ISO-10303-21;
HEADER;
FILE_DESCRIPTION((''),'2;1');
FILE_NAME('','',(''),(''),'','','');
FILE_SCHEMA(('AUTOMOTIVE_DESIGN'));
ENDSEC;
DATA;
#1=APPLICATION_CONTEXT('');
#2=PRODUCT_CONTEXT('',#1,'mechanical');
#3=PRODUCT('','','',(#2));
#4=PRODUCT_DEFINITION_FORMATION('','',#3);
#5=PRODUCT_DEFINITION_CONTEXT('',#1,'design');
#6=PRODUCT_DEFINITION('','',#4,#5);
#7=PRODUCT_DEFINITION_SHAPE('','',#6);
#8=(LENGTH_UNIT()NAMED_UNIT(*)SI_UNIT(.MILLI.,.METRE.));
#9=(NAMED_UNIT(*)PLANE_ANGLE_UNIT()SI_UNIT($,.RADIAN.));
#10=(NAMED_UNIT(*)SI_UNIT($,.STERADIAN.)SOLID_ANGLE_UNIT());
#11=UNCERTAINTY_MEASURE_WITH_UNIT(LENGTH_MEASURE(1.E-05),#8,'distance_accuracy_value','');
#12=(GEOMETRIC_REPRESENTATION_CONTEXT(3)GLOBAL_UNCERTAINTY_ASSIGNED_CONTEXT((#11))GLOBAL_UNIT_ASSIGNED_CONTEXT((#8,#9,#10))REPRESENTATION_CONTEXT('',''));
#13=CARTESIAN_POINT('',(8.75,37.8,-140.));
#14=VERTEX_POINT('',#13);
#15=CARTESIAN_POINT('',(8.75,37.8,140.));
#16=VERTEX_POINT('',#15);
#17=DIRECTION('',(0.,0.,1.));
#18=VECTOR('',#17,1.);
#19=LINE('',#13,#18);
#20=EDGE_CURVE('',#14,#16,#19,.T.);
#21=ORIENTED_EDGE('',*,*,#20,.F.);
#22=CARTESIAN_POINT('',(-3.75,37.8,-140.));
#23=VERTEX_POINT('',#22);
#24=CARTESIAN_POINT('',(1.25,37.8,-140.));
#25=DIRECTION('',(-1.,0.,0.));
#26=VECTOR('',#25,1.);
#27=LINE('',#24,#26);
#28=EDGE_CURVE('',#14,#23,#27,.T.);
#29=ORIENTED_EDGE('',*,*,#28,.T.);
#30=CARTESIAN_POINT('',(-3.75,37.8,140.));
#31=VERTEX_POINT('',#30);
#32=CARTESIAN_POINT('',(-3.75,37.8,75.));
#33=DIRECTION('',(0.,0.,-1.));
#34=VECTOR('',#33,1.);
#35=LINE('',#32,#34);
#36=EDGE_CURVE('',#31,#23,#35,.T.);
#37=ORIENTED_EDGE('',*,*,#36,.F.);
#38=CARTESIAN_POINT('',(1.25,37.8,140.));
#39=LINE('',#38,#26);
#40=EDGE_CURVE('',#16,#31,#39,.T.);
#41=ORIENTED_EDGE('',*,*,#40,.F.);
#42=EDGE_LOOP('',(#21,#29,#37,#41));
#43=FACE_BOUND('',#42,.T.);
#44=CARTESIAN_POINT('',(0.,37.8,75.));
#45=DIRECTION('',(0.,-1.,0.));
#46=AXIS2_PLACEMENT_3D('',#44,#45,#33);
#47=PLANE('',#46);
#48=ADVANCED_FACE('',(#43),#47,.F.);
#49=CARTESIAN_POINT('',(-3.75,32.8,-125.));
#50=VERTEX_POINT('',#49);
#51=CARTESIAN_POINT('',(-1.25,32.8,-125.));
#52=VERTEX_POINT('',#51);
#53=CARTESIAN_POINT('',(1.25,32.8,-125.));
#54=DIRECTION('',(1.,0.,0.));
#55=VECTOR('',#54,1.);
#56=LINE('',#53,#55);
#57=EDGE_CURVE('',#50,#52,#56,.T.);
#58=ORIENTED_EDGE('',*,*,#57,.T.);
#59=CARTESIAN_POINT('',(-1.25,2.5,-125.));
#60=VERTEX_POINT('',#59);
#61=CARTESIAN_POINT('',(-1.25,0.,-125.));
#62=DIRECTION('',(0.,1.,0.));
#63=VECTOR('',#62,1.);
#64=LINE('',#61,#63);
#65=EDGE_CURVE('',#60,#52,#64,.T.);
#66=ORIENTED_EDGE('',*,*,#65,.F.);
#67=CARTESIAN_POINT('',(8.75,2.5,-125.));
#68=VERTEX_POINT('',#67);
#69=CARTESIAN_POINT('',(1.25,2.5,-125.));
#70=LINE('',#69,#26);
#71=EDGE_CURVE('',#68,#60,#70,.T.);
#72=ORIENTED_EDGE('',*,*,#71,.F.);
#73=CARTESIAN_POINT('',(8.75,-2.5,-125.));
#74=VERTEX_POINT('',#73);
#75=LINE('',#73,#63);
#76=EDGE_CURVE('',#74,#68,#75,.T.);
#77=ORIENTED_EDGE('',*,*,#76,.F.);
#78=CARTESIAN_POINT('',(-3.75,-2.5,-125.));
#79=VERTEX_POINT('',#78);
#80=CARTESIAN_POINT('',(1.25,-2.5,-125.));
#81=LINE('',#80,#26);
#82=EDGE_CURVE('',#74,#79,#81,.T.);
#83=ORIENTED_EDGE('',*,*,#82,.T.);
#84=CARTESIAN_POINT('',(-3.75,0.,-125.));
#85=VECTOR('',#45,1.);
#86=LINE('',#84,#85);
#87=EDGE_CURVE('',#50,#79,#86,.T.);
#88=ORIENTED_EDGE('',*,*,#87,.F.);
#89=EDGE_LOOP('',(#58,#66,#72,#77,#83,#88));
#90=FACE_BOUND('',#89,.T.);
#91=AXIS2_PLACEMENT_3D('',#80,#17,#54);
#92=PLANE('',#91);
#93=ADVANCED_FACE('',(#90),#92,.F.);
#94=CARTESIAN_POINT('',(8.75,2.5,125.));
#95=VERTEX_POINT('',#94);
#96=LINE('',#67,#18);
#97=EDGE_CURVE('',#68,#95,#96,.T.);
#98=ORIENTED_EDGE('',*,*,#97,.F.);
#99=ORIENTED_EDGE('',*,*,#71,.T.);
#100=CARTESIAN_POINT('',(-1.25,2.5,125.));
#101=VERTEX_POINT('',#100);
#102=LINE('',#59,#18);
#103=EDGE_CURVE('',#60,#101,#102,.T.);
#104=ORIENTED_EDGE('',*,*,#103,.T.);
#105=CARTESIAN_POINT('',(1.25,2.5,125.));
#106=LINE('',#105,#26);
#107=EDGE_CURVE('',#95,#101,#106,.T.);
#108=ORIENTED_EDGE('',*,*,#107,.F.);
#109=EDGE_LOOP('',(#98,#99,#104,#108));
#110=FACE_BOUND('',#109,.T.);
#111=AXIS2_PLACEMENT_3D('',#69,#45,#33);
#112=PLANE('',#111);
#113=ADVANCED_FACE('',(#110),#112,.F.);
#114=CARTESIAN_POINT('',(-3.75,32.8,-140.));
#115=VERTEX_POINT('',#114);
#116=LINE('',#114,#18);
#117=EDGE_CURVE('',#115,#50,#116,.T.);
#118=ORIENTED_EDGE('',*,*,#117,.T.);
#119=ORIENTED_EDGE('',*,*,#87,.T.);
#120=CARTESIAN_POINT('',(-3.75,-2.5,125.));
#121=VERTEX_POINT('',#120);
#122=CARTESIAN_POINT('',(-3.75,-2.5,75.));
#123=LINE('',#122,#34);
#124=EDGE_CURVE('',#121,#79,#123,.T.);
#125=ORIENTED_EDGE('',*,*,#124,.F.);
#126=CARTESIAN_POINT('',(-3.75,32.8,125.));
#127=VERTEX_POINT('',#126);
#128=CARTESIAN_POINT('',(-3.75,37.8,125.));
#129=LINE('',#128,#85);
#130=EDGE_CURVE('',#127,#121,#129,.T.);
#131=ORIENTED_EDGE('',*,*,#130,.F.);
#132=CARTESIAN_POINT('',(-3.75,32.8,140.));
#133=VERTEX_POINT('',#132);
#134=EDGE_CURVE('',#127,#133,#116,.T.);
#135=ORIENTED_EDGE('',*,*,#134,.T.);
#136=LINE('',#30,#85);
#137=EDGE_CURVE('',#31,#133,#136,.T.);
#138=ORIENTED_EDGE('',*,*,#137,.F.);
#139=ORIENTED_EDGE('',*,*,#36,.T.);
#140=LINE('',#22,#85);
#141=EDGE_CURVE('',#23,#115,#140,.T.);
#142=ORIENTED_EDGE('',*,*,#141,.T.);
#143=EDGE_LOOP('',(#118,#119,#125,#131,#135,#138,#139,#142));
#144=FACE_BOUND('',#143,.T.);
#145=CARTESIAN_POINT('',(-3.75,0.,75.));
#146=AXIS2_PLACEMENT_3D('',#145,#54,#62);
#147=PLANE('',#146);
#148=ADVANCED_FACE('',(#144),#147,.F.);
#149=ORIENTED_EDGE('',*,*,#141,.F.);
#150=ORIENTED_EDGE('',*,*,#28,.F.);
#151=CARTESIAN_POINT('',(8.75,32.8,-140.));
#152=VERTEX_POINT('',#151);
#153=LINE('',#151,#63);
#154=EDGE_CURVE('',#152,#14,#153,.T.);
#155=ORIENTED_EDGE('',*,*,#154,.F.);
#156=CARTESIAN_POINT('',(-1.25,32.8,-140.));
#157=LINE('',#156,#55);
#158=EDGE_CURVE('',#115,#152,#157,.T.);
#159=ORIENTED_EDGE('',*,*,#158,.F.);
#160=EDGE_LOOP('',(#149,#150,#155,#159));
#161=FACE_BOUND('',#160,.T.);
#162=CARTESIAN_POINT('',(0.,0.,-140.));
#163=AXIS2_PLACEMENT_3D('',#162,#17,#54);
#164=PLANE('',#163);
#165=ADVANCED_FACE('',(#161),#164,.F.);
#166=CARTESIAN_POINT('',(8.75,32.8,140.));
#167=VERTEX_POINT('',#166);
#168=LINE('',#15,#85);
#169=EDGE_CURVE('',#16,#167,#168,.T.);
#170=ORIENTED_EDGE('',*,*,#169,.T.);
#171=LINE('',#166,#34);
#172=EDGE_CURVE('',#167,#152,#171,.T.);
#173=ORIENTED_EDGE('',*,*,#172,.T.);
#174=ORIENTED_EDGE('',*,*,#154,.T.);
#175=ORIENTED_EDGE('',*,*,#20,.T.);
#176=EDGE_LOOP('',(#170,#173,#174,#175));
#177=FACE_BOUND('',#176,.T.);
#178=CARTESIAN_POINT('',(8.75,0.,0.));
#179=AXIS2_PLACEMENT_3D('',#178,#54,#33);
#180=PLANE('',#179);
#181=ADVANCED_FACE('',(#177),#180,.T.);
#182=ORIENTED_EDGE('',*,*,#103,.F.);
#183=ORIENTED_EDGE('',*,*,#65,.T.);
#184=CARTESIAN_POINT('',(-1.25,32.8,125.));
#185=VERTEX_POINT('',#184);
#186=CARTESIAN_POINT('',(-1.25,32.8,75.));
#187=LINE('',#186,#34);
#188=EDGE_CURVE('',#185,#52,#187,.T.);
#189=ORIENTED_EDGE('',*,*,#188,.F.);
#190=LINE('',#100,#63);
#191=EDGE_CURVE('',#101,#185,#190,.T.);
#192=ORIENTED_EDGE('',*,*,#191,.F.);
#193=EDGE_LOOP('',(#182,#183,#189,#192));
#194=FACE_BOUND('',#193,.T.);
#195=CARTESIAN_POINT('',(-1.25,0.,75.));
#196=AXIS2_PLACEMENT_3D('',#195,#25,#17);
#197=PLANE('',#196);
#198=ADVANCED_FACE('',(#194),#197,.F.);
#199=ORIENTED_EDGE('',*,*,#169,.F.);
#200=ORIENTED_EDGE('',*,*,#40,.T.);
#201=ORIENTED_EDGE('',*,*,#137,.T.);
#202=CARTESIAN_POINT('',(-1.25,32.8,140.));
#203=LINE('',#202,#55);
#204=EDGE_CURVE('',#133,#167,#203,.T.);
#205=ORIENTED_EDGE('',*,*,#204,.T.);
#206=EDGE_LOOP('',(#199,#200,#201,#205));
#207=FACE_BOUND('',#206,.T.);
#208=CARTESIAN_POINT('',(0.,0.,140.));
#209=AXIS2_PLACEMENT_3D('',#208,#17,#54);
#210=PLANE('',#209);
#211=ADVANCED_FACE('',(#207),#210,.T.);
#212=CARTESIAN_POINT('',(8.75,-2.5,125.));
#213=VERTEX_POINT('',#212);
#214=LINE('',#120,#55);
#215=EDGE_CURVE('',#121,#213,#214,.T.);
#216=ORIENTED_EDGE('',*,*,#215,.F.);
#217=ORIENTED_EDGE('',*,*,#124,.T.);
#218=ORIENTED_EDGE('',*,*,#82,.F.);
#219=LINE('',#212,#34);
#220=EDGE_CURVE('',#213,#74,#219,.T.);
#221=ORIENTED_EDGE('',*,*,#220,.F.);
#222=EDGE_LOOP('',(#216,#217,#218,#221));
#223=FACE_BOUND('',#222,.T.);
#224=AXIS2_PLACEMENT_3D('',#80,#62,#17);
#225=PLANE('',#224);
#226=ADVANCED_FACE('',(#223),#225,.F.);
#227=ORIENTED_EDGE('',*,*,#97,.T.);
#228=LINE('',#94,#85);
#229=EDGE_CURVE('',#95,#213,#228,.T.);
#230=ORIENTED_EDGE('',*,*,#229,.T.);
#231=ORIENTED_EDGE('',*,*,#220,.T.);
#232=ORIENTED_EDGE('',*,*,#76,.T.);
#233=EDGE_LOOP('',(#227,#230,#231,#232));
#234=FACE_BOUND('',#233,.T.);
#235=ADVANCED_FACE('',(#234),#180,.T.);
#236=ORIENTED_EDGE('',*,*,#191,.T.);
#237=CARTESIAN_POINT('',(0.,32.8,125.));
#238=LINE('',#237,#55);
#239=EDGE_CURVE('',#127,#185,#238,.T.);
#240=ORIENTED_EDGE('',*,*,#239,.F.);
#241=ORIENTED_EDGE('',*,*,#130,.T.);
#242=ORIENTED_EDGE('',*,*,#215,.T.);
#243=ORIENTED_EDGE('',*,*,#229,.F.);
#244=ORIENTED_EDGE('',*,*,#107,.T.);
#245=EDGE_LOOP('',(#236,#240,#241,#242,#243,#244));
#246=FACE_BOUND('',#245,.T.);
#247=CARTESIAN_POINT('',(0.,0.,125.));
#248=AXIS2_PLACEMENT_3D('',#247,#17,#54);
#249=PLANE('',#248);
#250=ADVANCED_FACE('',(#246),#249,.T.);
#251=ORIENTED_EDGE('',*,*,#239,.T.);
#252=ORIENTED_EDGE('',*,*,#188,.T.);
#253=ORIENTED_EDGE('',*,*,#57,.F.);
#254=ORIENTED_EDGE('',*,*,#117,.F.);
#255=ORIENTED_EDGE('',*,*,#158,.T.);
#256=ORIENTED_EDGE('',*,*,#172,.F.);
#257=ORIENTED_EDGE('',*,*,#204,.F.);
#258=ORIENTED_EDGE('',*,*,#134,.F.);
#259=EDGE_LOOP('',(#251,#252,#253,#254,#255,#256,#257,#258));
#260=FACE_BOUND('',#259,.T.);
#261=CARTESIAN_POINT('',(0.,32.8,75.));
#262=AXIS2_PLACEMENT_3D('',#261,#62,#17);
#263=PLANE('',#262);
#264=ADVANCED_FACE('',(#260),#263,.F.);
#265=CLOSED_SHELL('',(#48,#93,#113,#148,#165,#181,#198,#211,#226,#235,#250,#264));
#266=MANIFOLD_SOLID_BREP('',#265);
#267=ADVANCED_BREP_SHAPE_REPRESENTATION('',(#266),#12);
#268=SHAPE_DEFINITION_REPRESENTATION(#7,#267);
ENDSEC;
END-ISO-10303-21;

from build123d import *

# Parameters (mm, degrees)
CROQUIS1_R                   = 2.5
SALIENTE_EXTRUIR1_DEPTH      = 1.25
SALIENTE_EXTRUIR4_DEPTH      = 2.5
CROQUIS6_R                   = 12.525
CORTAR_EXTRUIR3_DEPTH        = 10
SALIENTE_EXTRUIR5_DEPTH      = 200
CROQUIS8_R                   = 12.525
SALIENTE_EXTRUIR6_DEPTH      = 21
CROQUIS10_W                  = 18.5
CROQUIS10_H                  = 25.138120499
CROQUIS10_W_2                = 2.5
CROQUIS10_H_2                = 4.861879501
CROQUIS10_H_3                = 5
CORTAR_EXTRUIR5_DEPTH        = 98
SALIENTE_EXTRUIR7_DEPTH      = 50
SALIENTE_EXTRUIR8_DEPTH      = 15
SALIENTE_EXTRUIR8_DEPTH_BACK = 265
CROQUIS15_W                  = 250
CROQUIS15_H                  = 5
CROQUIS15_W_2                = 280
SALIENTE_EXTRUIR9_DEPTH      = 7.5


with BuildPart() as part:
    # Croquis1 → Saliente-Extruir1 (new, symmetric)
    with BuildSketch(Plane(origin=(0, 0, 0), x_dir=(0, 0, -1), z_dir=(1, 0, 0))):
        with BuildLine():
            Line((125, -2.5), (-125, -2.5))
            Line((-125, -2.5), (-125, 2.5))
            Line((-125, 2.5), (-123, 2.5))
            Line((-123, 2.5), (-117, 17.5))
            ThreePointArc((-117, 17.5), (-110, 24.5), (-103, 17.5))
            Line((-103, 17.5), (-97, 2.5))
            Line((-97, 2.5), (125, 2.5))
            Line((125, 2.5), (125, -2.5))
        make_face()
        with Locations((-110, 17.5)):
            Circle(CROQUIS1_R, mode=Mode.SUBTRACT)
    extrude(amount=SALIENTE_EXTRUIR1_DEPTH, both=True)

    # Croquis5 → Saliente-Extruir4 (add, through all)
    with BuildSketch(Plane(origin=(1.25, 0, 0), x_dir=(0, 0, -1), z_dir=(1, 0, 0))):
        with BuildLine():
            ThreePointArc((-100, 10), (-110, 5), (-120, 10))
            Line((-120, 10), (-121.0552482, 7.361879501))
            ThreePointArc((-121.0552482, 7.361879501), (-110, 2.5), (-98.9447518, 7.361879501))
            Line((-98.9447518, 7.361879501), (-100, 10))
        make_face()
        with BuildLine():
            Line((-121.0552482, 7.361879501), (-120, 10))
            ThreePointArc((-120, 10), (-113.952847075, 29.358541226), (-97.5, 17.5))
            ThreePointArc((-97.5, 17.5), (-98.141458774, 13.547152925), (-100, 10))
            Line((-100, 10), (-98.9447518, 7.361879501))
            ThreePointArc((-98.9447518, 7.361879501), (-96.020931308, 12.060731804), (-95, 17.5))
            ThreePointArc((-95, 17.5), (-115.439268196, 31.479068692), (-121.0552482, 7.361879501))
        make_face()
    extrude(amount=-SALIENTE_EXTRUIR4_DEPTH)

    # Croquis6 → Cortar-Extruir3 (cut)
    with BuildSketch(Plane(origin=(1.25, 0, 0), x_dir=(0, 0, -1), z_dir=(1, 0, 0))):
        with Locations((-110, 17.5)):
            Circle(CROQUIS6_R)
    extrude(amount=-CORTAR_EXTRUIR3_DEPTH, mode=Mode.SUBTRACT)

    # Croquis7 → Saliente-Extruir5 (add)
    with BuildSketch(Plane(origin=(0, 0, -125), x_dir=(-1, 0, 0), z_dir=(0, 0, -1))):
        Polygon((3.75, 37.8), (3.75, -2.5), (1.25, -2.5), (1.25, 2.5), (1.25, 32.8), (-1.25, 32.8), (-1.25, 37.8), align=None)
    extrude(amount=-SALIENTE_EXTRUIR5_DEPTH)

    # Croquis8 → Saliente-Extruir6 (add)
    with BuildSketch(Plane.ZY.offset(1.25)):
        with BuildLine():
            Line((98.9447518, 7.361879501), (97, 2.5))
            Line((97, 2.5), (95, 2.5))
            Line((95, 2.5), (95, -2.5))
            Line((95, -2.5), (125, -2.5))
            Line((125, -2.5), (125, 2.5))
            Line((125, 2.5), (123, 2.5))
            Line((123, 2.5), (121.0552482, 7.361879501))
            ThreePointArc((121.0552482, 7.361879501), (110, 32.5), (98.9447518, 7.361879501))
        make_face()
        with Locations(Location((110, 17.5, 0), (0, 0, 180))):
            Circle(CROQUIS8_R, mode=Mode.SUBTRACT)
    extrude(amount=SALIENTE_EXTRUIR6_DEPTH)

    # Croquis10 → Cortar-Extruir5 (cut)
    with BuildSketch(Plane.XY.offset(75)):
        with Locations((-13, 19.930939751)):
            Rectangle(CROQUIS10_W, CROQUIS10_H)
        Polygon((1.25, 37.8), (-3.75, 37.8), (-3.75, 32.5), (-1.25, 32.5), (-1.25, 32.8), (1.25, 32.8), align=None)
        with Locations((0, 19.930939751)):
            Rectangle(CROQUIS10_W_2, CROQUIS10_H)
        with Locations((-2.5, 19.930939751)):
            Rectangle(CROQUIS10_W_2, CROQUIS10_H)
        with Locations((-13, 4.930939751)):
            Rectangle(CROQUIS10_W, CROQUIS10_H_2)
        with Locations((-2.5, 4.930939751)):
            Rectangle(CROQUIS10_W_2, CROQUIS10_H_2)
        with Locations((0, 4.930939751)):
            Rectangle(CROQUIS10_W_2, CROQUIS10_H_2)
        with Locations((-2.5, 0)):
            Rectangle(CROQUIS10_W_2, CROQUIS10_H_3)
        with Locations((-13, 0)):
            Rectangle(CROQUIS10_W, CROQUIS10_H_3)
        Rectangle(CROQUIS10_W_2, CROQUIS10_H_3)
    extrude(amount=CORTAR_EXTRUIR5_DEPTH, mode=Mode.SUBTRACT)

    # Croquis11 → Saliente-Extruir7 (add)
    with BuildSketch(Plane.XY.offset(75)):
        Polygon((-3.75, 37.8), (-3.75, -2.5), (1.25, -2.5), (1.25, 2.5), (-1.25, 2.5), (-1.25, 32.8), (1.25, 32.8), (1.25, 37.8), align=None)
    extrude(amount=SALIENTE_EXTRUIR7_DEPTH)

    # Croquis14 → Saliente-Extruir8 (add, two sides: drawn at the far end of the back side and taken through both)
    with BuildSketch(Plane.XY.offset(125).offset(-SALIENTE_EXTRUIR8_DEPTH_BACK)):
        Polygon((-1.25, 32.8), (1.25, 32.8), (1.25, 37.8), (-3.75, 37.8), (-3.75, 32.8), align=None)
    extrude(amount=SALIENTE_EXTRUIR8_DEPTH + SALIENTE_EXTRUIR8_DEPTH_BACK)

    # Croquis15 → Saliente-Extruir9 (add)
    with BuildSketch(Plane(origin=(1.25, 0, 0), x_dir=(0, 0, -1), z_dir=(1, 0, 0))):
        Rectangle(CROQUIS15_W, CROQUIS15_H)
        with Locations((0, 35.3)):
            Rectangle(CROQUIS15_W_2, CROQUIS15_H)
    extrude(amount=SALIENTE_EXTRUIR9_DEPTH)


solid = part.part
